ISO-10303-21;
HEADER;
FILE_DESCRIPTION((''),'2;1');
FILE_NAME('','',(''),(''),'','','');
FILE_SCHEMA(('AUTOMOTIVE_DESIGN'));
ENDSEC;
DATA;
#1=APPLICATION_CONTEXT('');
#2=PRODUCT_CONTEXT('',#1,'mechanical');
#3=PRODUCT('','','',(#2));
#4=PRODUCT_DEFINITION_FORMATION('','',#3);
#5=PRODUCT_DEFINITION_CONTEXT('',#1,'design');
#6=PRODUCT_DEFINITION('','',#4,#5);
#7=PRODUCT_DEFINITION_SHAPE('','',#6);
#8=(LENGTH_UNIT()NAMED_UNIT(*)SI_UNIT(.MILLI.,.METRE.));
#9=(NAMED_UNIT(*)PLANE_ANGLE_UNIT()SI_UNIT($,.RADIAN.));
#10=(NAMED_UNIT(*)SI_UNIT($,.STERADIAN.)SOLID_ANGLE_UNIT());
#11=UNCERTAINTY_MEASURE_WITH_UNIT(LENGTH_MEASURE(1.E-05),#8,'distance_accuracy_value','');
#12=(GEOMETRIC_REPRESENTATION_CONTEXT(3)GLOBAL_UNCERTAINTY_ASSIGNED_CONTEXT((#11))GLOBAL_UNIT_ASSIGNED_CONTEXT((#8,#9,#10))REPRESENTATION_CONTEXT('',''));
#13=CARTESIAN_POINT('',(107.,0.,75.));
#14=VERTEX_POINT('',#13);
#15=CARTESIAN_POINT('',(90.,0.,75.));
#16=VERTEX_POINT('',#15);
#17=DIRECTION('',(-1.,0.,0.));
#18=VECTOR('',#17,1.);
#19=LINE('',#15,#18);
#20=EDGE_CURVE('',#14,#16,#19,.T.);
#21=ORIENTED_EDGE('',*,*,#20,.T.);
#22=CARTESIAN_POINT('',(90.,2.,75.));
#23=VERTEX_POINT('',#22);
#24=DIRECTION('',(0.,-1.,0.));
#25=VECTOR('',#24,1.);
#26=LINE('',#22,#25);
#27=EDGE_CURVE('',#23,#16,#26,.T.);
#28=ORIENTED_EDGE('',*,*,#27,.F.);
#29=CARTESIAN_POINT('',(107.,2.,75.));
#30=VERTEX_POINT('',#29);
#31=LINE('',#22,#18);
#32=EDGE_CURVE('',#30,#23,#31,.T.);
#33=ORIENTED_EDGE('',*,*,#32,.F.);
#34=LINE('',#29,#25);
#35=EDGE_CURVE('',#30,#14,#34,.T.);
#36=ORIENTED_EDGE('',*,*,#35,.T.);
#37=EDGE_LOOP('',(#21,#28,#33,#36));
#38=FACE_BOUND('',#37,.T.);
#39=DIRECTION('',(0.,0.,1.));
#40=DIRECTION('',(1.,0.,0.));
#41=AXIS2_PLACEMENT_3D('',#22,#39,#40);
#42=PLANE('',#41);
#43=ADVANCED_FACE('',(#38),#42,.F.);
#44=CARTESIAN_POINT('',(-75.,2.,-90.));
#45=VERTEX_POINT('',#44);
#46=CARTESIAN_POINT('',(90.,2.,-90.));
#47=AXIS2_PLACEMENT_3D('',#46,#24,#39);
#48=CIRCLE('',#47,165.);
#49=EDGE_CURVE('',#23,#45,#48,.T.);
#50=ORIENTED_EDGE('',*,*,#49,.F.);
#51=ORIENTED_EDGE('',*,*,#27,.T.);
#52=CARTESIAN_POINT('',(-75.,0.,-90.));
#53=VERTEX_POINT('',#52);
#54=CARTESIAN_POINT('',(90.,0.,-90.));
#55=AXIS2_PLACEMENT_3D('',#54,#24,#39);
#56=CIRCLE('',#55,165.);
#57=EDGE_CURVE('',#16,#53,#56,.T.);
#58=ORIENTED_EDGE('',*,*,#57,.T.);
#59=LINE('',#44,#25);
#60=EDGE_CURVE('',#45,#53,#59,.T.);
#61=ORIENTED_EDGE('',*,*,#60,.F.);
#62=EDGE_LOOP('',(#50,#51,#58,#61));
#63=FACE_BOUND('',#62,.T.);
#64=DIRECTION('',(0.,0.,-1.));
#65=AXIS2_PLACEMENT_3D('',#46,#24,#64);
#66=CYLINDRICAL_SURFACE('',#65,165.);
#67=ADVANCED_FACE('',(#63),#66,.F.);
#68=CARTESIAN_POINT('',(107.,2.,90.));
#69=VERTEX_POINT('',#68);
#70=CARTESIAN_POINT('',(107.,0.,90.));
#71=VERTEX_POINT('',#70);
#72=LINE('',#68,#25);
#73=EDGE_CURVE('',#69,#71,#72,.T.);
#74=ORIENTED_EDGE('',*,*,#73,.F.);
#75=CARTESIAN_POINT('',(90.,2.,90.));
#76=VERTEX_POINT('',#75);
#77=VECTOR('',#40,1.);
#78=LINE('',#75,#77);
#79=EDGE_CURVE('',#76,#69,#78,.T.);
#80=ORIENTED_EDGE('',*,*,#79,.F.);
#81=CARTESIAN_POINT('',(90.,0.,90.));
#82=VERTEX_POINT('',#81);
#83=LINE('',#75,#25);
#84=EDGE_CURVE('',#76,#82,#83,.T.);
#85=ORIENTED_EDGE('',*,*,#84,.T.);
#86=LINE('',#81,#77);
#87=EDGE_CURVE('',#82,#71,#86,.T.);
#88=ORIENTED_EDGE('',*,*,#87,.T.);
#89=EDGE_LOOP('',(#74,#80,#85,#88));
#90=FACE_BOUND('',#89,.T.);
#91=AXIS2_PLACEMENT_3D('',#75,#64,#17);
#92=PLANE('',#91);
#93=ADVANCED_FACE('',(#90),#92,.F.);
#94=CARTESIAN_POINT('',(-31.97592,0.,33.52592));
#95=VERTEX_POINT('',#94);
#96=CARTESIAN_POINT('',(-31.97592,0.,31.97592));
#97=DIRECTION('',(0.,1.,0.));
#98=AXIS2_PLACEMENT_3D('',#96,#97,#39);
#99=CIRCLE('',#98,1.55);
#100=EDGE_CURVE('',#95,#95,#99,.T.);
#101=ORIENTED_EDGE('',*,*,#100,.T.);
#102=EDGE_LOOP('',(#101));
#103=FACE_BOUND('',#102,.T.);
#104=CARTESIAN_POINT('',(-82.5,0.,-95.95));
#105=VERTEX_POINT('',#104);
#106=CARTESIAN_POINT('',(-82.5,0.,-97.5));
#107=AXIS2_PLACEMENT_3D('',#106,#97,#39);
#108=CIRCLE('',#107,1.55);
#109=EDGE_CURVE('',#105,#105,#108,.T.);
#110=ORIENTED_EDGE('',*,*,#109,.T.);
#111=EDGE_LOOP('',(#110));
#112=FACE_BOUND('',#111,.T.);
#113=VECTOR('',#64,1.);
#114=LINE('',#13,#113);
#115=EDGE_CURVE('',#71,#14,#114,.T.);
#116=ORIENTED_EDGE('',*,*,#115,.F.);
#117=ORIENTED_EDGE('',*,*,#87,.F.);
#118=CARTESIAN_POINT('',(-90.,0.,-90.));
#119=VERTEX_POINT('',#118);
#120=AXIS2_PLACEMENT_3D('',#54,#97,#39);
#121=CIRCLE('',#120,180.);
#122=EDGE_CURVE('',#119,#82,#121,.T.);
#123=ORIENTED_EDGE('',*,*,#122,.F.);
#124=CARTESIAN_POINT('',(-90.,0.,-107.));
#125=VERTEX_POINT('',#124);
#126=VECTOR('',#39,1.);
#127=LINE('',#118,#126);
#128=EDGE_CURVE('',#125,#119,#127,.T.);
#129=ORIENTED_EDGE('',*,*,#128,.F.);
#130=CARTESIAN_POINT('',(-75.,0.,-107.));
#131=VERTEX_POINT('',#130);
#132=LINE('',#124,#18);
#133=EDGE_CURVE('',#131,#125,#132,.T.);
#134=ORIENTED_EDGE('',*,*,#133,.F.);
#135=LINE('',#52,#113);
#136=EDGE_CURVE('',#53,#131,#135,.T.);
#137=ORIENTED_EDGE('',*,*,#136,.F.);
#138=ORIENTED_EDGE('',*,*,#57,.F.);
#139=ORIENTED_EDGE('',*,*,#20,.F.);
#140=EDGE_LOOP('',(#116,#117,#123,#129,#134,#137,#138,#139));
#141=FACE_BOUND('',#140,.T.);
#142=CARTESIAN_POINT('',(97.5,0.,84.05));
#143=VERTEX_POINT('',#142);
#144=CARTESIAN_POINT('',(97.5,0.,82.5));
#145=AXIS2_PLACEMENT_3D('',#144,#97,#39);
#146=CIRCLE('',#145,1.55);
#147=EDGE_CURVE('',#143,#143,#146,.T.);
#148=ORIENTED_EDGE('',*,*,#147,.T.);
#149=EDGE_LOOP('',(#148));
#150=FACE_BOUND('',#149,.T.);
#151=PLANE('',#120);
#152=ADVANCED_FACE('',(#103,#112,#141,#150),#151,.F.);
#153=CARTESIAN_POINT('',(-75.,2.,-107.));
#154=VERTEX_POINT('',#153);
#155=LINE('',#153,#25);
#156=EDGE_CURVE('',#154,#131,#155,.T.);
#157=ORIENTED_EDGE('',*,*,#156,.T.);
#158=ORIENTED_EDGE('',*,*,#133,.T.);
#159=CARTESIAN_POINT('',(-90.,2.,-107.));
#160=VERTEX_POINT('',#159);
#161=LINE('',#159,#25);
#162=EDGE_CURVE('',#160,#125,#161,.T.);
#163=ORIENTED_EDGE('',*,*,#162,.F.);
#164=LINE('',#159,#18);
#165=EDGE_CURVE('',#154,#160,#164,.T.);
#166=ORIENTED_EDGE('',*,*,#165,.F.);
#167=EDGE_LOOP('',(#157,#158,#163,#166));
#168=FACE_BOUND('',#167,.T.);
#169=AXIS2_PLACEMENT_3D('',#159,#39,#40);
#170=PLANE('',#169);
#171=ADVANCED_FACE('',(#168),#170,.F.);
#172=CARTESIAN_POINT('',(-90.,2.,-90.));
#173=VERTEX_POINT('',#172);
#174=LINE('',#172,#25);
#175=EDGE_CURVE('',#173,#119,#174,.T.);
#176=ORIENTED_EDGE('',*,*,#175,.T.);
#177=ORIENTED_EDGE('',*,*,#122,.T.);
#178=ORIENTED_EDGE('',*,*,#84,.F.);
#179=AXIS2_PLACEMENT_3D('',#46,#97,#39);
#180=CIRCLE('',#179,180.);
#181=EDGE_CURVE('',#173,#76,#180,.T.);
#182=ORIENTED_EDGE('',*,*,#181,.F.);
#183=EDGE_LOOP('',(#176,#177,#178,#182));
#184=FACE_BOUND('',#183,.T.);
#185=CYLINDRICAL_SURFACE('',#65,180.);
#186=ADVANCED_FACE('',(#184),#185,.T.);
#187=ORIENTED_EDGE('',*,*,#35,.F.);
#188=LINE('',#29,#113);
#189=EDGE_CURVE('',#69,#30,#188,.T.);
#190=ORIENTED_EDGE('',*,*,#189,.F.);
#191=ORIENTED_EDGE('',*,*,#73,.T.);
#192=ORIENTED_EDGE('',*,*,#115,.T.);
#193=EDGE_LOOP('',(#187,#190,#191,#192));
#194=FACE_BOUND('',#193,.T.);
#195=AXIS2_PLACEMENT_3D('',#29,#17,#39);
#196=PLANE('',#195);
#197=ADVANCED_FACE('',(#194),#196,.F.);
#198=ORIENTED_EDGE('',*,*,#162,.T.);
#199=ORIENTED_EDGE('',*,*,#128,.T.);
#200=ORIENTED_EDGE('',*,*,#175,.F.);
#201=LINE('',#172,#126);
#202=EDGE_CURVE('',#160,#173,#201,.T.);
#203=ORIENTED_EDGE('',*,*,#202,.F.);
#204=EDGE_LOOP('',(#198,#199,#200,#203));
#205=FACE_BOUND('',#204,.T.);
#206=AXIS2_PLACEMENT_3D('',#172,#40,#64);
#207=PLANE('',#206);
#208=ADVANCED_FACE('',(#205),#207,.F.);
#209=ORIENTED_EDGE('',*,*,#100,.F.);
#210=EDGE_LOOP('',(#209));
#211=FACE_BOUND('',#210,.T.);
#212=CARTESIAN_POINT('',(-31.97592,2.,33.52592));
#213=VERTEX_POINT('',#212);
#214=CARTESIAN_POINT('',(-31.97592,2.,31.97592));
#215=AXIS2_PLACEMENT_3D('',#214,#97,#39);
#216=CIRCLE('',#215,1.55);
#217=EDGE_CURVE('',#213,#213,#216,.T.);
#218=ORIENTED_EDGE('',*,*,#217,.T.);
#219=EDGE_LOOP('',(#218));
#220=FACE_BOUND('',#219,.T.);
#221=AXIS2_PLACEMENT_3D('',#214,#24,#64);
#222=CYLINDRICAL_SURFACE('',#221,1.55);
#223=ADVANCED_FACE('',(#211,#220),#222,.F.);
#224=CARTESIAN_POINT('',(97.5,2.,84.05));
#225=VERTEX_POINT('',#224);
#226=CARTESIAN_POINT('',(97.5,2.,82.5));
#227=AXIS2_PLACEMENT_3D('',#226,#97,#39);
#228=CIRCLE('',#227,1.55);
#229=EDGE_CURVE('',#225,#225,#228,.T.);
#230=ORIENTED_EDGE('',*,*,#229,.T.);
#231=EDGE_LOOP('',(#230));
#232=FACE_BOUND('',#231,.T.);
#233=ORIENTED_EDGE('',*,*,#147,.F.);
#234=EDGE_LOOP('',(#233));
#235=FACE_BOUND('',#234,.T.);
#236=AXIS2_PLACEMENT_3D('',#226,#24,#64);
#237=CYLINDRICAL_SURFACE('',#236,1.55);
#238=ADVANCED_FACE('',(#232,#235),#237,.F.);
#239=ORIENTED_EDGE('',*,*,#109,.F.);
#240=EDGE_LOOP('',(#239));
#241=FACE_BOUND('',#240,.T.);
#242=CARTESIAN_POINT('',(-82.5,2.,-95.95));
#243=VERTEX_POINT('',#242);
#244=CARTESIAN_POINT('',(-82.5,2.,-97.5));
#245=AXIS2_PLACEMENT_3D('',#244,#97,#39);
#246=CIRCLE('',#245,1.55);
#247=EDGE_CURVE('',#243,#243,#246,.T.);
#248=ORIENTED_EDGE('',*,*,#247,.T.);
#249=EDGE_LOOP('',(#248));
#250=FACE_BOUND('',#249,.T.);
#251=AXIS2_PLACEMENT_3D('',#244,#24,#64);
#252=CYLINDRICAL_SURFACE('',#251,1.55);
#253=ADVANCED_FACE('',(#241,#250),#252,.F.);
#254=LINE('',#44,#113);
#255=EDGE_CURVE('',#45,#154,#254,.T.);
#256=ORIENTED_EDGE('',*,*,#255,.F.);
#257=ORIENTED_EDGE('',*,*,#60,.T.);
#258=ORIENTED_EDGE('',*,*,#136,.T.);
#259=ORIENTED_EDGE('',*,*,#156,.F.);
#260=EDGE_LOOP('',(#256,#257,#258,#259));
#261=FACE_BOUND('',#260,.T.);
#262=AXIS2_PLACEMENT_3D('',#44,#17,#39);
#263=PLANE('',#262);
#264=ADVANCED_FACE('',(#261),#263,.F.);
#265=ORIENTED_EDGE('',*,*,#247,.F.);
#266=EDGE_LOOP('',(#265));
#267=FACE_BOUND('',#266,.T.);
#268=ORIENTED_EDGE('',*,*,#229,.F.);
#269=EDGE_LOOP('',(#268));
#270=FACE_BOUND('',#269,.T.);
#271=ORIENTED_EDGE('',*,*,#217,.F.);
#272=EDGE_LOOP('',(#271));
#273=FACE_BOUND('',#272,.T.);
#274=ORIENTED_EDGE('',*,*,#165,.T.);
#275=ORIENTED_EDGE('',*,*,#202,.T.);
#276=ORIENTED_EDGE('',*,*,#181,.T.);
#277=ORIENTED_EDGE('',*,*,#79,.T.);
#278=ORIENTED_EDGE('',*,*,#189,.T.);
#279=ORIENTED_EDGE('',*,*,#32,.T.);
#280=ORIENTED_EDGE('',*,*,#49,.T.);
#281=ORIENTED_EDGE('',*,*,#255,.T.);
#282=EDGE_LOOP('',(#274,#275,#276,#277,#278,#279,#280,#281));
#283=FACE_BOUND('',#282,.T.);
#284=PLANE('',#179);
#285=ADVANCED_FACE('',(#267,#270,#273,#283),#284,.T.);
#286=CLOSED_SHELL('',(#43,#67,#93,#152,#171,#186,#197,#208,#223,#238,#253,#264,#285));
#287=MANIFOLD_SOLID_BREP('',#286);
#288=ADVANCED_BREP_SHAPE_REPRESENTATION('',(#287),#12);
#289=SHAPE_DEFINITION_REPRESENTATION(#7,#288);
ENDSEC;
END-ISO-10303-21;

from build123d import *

# Parameters (mm, degrees)
SKETCH1_R           = 1.55
BOSS_EXTRUDE1_DEPTH = 2


with BuildPart() as part:
    # Sketch1 → Boss-Extrude1 (new body)
    with BuildSketch(Plane(origin=(0, 0, 0), x_dir=(1, 0, 0), z_dir=(0, 1, 0))):
        with BuildLine():
            Line((-90, 90), (-90, 107))
            Line((-90, 107), (-75, 107))
            Line((-75, 107), (-75, 90))
            ThreePointArc((-75, 90), (-26.672618896, -26.672618896), (90, -75))
            Line((90, -75), (107, -75))
            Line((107, -75), (107, -90))
            Line((107, -90), (90, -90))
            ThreePointArc((90, -90), (-37.279220614, -37.279220614), (-90, 90))
        make_face()
        with Locations(Location((-82.5, 97.5, 0), (0, 0, 270))):
            Circle(SKETCH1_R, mode=Mode.SUBTRACT)
        with Locations(Location((97.5, -82.5, 0), (0, 0, 270))):
            Circle(SKETCH1_R, mode=Mode.SUBTRACT)
        with Locations(Location((-31.975919755, -31.975919755, 0), (0, 0, 270))):
            Circle(SKETCH1_R, mode=Mode.SUBTRACT)
    extrude(amount=BOSS_EXTRUDE1_DEPTH)


solid = part.part
